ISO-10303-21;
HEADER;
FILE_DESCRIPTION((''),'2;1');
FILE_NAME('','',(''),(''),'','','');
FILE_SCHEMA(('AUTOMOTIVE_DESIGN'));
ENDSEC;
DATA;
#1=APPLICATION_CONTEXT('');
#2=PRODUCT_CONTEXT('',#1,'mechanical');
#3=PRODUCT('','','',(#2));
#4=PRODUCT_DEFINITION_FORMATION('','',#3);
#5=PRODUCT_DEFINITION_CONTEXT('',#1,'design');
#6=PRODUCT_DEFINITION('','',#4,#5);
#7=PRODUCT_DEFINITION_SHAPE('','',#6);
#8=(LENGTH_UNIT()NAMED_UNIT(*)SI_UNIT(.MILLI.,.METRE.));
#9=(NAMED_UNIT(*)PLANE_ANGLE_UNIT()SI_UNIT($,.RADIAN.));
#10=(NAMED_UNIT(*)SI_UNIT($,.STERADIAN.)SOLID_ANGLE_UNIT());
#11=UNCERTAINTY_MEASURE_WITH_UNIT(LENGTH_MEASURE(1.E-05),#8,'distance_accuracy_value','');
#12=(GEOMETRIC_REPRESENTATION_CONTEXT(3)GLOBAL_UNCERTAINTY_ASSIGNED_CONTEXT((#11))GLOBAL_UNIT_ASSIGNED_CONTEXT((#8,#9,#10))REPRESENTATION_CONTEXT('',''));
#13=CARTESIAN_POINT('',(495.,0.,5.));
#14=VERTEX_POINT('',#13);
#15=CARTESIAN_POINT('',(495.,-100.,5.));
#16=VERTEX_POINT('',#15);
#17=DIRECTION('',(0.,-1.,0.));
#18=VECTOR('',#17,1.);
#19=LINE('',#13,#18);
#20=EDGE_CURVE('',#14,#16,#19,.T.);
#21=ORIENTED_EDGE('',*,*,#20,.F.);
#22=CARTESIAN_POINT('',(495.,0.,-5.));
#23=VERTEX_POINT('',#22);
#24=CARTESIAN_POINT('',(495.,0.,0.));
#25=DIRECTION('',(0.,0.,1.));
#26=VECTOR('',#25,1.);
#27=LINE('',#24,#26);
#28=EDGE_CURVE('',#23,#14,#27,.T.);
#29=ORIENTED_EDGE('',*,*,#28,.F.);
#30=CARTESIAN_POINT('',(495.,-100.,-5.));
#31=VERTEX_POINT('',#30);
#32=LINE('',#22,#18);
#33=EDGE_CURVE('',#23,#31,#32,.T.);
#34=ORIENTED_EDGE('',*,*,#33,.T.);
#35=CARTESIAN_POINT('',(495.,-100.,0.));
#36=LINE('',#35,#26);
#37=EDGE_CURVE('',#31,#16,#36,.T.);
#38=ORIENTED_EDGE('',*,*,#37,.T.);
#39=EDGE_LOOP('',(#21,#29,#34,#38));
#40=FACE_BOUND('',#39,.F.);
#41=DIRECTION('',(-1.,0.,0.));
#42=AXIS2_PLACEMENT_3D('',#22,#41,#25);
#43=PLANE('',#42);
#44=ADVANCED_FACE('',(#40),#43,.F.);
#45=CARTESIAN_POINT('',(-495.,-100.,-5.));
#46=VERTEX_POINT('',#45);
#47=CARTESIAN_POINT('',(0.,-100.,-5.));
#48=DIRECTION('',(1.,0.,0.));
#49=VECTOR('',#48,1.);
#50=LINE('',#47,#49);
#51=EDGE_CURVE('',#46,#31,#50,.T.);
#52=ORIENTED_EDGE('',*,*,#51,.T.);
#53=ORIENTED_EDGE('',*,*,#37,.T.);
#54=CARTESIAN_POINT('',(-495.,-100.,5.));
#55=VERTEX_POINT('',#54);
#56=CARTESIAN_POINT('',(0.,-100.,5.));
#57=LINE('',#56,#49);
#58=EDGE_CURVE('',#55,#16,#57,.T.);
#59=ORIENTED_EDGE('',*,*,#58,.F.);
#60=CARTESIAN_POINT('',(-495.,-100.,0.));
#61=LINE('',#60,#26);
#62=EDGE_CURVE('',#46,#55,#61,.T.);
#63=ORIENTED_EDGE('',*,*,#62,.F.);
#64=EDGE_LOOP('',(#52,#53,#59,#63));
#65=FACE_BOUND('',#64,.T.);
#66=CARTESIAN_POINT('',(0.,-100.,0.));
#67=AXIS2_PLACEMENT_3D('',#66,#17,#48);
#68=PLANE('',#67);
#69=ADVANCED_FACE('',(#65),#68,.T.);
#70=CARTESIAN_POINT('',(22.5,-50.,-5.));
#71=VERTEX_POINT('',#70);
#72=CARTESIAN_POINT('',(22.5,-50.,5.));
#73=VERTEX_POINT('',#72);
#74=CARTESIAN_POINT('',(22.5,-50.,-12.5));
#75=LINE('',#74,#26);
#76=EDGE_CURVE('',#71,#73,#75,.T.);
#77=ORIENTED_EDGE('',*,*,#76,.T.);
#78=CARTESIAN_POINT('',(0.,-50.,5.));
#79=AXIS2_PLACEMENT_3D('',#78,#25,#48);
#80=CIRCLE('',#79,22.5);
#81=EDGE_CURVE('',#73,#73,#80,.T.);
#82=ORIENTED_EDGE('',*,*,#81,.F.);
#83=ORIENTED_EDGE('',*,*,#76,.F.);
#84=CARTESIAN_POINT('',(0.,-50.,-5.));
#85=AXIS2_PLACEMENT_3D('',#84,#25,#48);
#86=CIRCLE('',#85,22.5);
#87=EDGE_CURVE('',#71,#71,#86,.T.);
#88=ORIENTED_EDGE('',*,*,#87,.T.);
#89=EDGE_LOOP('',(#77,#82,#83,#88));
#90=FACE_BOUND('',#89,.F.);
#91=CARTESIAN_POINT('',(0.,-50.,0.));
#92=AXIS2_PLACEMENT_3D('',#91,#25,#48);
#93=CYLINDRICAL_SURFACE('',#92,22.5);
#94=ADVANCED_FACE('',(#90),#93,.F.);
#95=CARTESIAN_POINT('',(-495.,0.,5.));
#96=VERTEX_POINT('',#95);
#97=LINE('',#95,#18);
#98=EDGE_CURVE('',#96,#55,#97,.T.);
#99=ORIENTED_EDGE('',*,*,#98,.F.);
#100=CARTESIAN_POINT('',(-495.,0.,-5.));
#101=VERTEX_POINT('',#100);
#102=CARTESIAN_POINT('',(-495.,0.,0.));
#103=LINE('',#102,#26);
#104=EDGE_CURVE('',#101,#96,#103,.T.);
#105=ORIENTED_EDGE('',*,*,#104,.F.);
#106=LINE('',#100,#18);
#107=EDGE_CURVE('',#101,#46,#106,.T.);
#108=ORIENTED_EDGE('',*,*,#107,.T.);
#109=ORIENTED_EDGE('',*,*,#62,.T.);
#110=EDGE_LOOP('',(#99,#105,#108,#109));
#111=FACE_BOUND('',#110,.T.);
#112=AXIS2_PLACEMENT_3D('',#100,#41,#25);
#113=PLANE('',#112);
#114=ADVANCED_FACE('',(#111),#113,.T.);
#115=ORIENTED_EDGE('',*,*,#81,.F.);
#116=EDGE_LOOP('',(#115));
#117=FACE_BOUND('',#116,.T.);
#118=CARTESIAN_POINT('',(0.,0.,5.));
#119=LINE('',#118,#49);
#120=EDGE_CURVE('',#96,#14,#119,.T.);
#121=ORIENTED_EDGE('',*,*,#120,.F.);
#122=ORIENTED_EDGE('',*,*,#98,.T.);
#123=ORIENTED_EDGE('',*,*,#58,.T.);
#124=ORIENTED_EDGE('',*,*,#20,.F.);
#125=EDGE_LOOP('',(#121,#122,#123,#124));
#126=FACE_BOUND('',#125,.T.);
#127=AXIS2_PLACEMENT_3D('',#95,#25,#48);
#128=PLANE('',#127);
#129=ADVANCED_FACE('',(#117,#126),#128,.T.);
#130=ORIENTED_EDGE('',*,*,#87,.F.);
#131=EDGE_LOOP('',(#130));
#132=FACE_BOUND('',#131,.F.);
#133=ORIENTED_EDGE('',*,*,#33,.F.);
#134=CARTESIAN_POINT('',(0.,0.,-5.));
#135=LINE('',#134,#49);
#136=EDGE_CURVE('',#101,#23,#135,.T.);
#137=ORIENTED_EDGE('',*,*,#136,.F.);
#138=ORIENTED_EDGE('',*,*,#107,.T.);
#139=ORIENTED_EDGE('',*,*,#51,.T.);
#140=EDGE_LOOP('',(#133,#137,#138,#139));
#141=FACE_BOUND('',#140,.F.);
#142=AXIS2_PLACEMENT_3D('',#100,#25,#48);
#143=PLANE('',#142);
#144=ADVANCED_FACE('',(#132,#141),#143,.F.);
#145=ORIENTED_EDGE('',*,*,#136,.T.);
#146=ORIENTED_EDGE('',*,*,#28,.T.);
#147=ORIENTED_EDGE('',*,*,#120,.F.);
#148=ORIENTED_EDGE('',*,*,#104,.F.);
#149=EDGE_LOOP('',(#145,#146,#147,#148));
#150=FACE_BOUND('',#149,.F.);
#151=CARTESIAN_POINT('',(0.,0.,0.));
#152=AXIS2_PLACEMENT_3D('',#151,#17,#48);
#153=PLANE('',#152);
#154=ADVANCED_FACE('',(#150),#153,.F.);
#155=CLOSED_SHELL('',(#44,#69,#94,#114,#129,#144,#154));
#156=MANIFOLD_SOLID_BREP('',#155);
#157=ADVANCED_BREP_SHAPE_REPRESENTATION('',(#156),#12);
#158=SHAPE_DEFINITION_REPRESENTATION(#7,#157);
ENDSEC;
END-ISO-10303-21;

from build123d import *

# Parameters (mm, degrees)
F0_W     = 990
F0_H     = 10
F1_DEPTH = 100
F2_R     = 22.5
F3_DEPTH = 12.5


with BuildPart() as f1:
    # F0 (on Front) → F1 (new body)
    with BuildSketch(Plane.XZ):
        Rectangle(F0_W, F0_H)
    extrude(amount=F1_DEPTH)

    # F2 (on Top) → F3 (cut, symmetric)
    with BuildSketch(Plane.XY):
        with Locations((0, -50)):
            Circle(F2_R)
    extrude(amount=F3_DEPTH, both=True, mode=Mode.SUBTRACT)


solid = f1.part
